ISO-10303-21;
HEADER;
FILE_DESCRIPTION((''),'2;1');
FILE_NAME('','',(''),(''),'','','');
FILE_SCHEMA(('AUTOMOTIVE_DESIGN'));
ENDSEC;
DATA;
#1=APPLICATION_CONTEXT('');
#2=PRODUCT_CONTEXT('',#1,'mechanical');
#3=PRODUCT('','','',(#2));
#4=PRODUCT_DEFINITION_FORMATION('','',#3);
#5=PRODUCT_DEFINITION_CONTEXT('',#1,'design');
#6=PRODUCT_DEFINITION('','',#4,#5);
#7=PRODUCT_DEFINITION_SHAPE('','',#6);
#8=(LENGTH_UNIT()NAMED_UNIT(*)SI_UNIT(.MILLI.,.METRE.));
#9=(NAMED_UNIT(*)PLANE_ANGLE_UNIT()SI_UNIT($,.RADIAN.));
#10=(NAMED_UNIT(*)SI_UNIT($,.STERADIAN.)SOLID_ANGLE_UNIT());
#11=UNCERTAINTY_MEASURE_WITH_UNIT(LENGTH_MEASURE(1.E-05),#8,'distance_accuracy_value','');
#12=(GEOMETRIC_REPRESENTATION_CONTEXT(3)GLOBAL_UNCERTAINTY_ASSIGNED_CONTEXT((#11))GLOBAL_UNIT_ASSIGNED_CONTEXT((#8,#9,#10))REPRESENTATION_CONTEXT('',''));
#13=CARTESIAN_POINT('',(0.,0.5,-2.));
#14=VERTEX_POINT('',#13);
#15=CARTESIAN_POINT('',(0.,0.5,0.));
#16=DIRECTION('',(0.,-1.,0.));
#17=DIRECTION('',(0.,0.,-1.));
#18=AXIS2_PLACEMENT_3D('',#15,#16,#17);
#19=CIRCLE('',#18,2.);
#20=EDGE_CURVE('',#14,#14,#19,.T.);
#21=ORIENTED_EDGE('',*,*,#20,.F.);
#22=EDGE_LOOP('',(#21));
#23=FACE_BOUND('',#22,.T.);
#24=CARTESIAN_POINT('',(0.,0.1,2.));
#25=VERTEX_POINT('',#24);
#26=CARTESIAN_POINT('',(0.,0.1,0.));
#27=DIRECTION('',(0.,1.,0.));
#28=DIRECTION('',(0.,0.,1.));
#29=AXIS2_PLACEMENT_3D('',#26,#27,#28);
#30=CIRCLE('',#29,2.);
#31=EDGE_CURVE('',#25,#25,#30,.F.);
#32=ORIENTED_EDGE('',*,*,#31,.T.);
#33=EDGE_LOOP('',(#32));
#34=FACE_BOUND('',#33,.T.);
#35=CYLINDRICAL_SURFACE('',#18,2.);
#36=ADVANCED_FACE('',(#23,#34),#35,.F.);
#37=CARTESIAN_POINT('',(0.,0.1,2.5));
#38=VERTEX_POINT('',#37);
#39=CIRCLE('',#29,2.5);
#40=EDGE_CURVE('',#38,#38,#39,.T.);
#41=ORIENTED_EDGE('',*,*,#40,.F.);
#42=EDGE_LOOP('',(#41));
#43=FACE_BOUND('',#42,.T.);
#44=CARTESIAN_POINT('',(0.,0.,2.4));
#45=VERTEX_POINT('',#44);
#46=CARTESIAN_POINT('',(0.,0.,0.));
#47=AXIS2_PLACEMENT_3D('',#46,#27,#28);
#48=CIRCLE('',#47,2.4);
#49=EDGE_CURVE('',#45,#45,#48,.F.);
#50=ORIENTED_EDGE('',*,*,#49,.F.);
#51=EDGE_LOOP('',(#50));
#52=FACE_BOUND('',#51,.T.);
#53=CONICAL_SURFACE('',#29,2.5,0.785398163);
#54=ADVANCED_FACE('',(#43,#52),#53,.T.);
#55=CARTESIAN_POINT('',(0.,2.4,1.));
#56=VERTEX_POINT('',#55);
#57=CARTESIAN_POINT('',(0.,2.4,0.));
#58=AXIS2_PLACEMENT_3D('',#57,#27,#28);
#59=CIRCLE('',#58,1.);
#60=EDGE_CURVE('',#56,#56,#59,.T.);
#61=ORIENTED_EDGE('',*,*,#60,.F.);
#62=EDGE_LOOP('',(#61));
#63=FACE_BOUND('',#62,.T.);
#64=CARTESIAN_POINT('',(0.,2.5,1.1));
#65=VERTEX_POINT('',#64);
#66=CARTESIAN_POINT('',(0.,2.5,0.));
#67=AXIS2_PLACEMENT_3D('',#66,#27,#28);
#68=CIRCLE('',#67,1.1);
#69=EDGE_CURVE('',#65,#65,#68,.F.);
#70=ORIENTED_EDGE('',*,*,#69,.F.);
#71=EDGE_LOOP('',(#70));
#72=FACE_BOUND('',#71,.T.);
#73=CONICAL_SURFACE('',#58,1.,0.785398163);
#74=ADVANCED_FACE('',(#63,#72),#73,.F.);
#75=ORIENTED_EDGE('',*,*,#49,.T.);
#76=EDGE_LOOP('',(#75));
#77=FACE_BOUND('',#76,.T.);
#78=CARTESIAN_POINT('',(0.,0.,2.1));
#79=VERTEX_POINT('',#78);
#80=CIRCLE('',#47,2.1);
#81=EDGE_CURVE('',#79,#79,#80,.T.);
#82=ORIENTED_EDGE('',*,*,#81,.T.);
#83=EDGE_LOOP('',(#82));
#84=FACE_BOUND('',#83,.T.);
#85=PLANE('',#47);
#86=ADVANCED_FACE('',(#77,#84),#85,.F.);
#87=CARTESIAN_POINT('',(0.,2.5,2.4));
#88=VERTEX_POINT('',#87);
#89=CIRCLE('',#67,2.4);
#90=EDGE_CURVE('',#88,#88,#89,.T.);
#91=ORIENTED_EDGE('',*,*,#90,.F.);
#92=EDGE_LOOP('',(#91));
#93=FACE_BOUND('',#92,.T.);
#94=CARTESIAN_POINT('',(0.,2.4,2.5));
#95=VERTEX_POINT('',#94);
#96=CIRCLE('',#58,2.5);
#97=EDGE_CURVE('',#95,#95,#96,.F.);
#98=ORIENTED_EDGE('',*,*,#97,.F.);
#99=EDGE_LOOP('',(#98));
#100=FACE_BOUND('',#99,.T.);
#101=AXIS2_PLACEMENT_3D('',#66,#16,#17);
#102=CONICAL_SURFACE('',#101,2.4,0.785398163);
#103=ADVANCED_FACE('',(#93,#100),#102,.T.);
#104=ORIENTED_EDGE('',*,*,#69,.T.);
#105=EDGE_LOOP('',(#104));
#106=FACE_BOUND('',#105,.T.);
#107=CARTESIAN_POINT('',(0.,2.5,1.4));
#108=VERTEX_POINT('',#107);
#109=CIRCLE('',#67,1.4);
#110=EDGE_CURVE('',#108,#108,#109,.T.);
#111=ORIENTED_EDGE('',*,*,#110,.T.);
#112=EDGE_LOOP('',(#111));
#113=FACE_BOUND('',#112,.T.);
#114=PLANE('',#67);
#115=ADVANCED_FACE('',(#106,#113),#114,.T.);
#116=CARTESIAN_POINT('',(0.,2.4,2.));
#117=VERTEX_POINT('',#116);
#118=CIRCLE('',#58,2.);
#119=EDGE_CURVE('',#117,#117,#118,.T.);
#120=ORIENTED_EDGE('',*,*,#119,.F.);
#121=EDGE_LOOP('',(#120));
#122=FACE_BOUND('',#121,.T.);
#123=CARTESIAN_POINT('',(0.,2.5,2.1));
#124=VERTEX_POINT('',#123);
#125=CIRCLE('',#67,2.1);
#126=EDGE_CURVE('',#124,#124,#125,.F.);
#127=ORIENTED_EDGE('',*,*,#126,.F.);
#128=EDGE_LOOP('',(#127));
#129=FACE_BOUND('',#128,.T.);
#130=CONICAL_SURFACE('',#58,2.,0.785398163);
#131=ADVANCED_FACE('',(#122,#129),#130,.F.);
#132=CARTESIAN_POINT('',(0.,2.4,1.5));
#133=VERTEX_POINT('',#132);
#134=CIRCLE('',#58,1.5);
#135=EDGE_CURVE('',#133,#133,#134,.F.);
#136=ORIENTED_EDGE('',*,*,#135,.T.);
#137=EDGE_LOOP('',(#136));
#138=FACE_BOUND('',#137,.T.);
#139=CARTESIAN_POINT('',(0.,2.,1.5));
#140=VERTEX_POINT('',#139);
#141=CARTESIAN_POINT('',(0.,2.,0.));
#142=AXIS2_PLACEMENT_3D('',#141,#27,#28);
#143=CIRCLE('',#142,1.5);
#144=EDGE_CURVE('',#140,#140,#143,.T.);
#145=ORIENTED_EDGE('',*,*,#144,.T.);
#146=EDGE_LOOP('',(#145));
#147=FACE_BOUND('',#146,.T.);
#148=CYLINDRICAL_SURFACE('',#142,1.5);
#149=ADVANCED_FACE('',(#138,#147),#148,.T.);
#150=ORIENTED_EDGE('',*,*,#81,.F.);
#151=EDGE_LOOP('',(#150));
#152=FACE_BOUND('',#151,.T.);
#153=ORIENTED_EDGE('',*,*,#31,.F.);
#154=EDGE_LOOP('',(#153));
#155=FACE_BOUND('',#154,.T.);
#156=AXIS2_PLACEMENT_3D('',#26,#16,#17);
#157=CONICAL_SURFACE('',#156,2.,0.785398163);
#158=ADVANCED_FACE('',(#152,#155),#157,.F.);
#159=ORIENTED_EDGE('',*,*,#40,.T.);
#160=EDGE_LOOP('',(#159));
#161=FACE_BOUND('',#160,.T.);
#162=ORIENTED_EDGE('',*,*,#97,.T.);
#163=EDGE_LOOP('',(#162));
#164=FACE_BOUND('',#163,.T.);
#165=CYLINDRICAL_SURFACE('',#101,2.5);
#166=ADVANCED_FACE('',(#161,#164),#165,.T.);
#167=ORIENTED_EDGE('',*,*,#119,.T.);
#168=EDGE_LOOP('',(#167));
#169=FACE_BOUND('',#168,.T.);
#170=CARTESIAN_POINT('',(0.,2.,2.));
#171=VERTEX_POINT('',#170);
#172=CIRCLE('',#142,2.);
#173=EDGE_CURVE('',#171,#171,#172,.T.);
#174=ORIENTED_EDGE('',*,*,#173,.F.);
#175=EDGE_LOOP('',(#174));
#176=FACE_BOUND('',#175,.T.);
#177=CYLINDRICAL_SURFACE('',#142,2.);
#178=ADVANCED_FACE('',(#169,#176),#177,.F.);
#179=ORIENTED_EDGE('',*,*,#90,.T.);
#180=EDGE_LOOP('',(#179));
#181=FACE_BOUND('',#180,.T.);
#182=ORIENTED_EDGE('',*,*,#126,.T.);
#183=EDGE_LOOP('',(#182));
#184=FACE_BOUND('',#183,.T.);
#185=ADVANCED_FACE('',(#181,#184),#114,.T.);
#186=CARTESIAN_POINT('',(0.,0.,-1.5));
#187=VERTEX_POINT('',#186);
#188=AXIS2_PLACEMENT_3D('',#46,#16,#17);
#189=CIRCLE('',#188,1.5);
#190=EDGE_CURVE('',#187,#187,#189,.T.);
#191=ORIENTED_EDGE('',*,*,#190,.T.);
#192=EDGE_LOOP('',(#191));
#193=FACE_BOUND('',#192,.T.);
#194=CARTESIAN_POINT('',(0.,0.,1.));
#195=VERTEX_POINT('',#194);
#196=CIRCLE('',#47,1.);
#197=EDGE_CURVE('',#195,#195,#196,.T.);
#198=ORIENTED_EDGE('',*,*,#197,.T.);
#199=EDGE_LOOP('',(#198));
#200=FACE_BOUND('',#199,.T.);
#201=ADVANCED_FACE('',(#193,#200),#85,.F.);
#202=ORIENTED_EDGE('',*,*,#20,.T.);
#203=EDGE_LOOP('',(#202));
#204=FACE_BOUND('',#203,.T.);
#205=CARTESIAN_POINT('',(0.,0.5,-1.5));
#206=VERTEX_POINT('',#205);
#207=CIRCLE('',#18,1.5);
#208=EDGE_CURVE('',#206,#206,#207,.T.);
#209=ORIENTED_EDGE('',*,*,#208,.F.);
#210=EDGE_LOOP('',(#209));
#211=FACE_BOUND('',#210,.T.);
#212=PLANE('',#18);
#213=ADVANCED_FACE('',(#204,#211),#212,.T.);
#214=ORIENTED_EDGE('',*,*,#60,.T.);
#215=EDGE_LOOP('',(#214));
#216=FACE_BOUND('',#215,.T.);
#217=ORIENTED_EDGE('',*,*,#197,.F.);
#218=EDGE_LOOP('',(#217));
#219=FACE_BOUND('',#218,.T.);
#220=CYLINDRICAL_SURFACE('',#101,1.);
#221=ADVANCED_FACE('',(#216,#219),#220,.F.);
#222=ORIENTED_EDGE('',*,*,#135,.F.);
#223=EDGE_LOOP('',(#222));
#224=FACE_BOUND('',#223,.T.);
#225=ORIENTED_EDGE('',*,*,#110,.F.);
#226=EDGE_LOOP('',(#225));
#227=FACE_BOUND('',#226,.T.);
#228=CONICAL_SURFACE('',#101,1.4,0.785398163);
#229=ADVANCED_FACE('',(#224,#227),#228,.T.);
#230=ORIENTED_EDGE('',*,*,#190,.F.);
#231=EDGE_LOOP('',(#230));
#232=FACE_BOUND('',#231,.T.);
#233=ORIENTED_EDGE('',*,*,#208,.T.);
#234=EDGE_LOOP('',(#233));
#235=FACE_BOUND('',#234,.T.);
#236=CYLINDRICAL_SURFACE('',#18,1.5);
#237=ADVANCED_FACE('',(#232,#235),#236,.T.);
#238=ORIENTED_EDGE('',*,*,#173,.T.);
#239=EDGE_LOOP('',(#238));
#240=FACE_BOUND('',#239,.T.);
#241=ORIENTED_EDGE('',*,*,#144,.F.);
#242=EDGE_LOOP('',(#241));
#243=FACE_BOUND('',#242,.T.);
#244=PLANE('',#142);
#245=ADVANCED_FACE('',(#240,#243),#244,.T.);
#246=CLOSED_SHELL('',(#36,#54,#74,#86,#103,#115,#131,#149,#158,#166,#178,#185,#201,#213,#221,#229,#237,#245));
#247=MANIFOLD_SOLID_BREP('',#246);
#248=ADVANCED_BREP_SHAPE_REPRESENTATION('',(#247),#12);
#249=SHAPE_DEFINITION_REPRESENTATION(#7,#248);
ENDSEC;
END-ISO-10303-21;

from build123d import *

# Parameters (mm, degrees)
SKETCH1_R           = 2.5
SKETCH1_R_2         = 1
BOSS_EXTRUDE1_DEPTH = 2.5
SKETCH2_R           = 2
SKETCH2_R_2         = 1.5
CUT_EXTRUDE1_DEPTH  = 0.5
CUT_EXTRUDE2_START  = -0.5
SKETCH3_R           = 2
SKETCH3_R_2         = 1.5
CUT_EXTRUDE2_DEPTH  = 0.5
CHAMFER1_SIZE       = 0.1


with BuildPart() as part:
    # Sketch1 → Boss-Extrude1 (new body)
    with BuildSketch(Plane(origin=(0, 0, 0), x_dir=(1, 0, 0), z_dir=(0, 1, 0))):
        with Locations(Location((0, 0, 0), (0, 0, 270))):
            Circle(SKETCH1_R)
        with Locations(Location((0, 0, 0), (0, 0, 270))):
            Circle(SKETCH1_R_2, mode=Mode.SUBTRACT)
    extrude(amount=BOSS_EXTRUDE1_DEPTH)

    # Sketch2 → Cut-Extrude1 (cut)
    with BuildSketch(Plane(origin=(0, 2.5, 0), x_dir=(1, 0, 0), z_dir=(0, 1, 0))):
        with Locations(Location((0, 0, 0), (0, 0, 270))):
            Circle(SKETCH2_R)
        with Locations(Location((0, 0, 0), (0, 0, 270))):
            Circle(SKETCH2_R_2, mode=Mode.SUBTRACT)
    extrude(amount=-CUT_EXTRUDE1_DEPTH, mode=Mode.SUBTRACT)

    # Sketch3 → Cut-Extrude2 (cut)
    with BuildSketch(Plane.XZ.offset(CUT_EXTRUDE2_START)):
        with Locations(Location((0, 0, 0), (0, 0, 90))):
            Circle(SKETCH3_R)
        with Locations(Location((0, 0, 0), (0, 0, 90))):
            Circle(SKETCH3_R_2, mode=Mode.SUBTRACT)
    extrude(amount=CUT_EXTRUDE2_DEPTH, mode=Mode.SUBTRACT)

    # Chamfer1
    chamfer1_edges = [part.edges().sort_by_distance(p)[0] for p in [
        (0, 2.5, -2),
        (0, 2.5, -1.5),
        (0, 0, -2),
        (0, 0, -2.5),
        (0, 2.5, -2.5),
        (0, 2.5, -1),
    ]]
    chamfer(chamfer1_edges, length=CHAMFER1_SIZE)


solid = part.part
